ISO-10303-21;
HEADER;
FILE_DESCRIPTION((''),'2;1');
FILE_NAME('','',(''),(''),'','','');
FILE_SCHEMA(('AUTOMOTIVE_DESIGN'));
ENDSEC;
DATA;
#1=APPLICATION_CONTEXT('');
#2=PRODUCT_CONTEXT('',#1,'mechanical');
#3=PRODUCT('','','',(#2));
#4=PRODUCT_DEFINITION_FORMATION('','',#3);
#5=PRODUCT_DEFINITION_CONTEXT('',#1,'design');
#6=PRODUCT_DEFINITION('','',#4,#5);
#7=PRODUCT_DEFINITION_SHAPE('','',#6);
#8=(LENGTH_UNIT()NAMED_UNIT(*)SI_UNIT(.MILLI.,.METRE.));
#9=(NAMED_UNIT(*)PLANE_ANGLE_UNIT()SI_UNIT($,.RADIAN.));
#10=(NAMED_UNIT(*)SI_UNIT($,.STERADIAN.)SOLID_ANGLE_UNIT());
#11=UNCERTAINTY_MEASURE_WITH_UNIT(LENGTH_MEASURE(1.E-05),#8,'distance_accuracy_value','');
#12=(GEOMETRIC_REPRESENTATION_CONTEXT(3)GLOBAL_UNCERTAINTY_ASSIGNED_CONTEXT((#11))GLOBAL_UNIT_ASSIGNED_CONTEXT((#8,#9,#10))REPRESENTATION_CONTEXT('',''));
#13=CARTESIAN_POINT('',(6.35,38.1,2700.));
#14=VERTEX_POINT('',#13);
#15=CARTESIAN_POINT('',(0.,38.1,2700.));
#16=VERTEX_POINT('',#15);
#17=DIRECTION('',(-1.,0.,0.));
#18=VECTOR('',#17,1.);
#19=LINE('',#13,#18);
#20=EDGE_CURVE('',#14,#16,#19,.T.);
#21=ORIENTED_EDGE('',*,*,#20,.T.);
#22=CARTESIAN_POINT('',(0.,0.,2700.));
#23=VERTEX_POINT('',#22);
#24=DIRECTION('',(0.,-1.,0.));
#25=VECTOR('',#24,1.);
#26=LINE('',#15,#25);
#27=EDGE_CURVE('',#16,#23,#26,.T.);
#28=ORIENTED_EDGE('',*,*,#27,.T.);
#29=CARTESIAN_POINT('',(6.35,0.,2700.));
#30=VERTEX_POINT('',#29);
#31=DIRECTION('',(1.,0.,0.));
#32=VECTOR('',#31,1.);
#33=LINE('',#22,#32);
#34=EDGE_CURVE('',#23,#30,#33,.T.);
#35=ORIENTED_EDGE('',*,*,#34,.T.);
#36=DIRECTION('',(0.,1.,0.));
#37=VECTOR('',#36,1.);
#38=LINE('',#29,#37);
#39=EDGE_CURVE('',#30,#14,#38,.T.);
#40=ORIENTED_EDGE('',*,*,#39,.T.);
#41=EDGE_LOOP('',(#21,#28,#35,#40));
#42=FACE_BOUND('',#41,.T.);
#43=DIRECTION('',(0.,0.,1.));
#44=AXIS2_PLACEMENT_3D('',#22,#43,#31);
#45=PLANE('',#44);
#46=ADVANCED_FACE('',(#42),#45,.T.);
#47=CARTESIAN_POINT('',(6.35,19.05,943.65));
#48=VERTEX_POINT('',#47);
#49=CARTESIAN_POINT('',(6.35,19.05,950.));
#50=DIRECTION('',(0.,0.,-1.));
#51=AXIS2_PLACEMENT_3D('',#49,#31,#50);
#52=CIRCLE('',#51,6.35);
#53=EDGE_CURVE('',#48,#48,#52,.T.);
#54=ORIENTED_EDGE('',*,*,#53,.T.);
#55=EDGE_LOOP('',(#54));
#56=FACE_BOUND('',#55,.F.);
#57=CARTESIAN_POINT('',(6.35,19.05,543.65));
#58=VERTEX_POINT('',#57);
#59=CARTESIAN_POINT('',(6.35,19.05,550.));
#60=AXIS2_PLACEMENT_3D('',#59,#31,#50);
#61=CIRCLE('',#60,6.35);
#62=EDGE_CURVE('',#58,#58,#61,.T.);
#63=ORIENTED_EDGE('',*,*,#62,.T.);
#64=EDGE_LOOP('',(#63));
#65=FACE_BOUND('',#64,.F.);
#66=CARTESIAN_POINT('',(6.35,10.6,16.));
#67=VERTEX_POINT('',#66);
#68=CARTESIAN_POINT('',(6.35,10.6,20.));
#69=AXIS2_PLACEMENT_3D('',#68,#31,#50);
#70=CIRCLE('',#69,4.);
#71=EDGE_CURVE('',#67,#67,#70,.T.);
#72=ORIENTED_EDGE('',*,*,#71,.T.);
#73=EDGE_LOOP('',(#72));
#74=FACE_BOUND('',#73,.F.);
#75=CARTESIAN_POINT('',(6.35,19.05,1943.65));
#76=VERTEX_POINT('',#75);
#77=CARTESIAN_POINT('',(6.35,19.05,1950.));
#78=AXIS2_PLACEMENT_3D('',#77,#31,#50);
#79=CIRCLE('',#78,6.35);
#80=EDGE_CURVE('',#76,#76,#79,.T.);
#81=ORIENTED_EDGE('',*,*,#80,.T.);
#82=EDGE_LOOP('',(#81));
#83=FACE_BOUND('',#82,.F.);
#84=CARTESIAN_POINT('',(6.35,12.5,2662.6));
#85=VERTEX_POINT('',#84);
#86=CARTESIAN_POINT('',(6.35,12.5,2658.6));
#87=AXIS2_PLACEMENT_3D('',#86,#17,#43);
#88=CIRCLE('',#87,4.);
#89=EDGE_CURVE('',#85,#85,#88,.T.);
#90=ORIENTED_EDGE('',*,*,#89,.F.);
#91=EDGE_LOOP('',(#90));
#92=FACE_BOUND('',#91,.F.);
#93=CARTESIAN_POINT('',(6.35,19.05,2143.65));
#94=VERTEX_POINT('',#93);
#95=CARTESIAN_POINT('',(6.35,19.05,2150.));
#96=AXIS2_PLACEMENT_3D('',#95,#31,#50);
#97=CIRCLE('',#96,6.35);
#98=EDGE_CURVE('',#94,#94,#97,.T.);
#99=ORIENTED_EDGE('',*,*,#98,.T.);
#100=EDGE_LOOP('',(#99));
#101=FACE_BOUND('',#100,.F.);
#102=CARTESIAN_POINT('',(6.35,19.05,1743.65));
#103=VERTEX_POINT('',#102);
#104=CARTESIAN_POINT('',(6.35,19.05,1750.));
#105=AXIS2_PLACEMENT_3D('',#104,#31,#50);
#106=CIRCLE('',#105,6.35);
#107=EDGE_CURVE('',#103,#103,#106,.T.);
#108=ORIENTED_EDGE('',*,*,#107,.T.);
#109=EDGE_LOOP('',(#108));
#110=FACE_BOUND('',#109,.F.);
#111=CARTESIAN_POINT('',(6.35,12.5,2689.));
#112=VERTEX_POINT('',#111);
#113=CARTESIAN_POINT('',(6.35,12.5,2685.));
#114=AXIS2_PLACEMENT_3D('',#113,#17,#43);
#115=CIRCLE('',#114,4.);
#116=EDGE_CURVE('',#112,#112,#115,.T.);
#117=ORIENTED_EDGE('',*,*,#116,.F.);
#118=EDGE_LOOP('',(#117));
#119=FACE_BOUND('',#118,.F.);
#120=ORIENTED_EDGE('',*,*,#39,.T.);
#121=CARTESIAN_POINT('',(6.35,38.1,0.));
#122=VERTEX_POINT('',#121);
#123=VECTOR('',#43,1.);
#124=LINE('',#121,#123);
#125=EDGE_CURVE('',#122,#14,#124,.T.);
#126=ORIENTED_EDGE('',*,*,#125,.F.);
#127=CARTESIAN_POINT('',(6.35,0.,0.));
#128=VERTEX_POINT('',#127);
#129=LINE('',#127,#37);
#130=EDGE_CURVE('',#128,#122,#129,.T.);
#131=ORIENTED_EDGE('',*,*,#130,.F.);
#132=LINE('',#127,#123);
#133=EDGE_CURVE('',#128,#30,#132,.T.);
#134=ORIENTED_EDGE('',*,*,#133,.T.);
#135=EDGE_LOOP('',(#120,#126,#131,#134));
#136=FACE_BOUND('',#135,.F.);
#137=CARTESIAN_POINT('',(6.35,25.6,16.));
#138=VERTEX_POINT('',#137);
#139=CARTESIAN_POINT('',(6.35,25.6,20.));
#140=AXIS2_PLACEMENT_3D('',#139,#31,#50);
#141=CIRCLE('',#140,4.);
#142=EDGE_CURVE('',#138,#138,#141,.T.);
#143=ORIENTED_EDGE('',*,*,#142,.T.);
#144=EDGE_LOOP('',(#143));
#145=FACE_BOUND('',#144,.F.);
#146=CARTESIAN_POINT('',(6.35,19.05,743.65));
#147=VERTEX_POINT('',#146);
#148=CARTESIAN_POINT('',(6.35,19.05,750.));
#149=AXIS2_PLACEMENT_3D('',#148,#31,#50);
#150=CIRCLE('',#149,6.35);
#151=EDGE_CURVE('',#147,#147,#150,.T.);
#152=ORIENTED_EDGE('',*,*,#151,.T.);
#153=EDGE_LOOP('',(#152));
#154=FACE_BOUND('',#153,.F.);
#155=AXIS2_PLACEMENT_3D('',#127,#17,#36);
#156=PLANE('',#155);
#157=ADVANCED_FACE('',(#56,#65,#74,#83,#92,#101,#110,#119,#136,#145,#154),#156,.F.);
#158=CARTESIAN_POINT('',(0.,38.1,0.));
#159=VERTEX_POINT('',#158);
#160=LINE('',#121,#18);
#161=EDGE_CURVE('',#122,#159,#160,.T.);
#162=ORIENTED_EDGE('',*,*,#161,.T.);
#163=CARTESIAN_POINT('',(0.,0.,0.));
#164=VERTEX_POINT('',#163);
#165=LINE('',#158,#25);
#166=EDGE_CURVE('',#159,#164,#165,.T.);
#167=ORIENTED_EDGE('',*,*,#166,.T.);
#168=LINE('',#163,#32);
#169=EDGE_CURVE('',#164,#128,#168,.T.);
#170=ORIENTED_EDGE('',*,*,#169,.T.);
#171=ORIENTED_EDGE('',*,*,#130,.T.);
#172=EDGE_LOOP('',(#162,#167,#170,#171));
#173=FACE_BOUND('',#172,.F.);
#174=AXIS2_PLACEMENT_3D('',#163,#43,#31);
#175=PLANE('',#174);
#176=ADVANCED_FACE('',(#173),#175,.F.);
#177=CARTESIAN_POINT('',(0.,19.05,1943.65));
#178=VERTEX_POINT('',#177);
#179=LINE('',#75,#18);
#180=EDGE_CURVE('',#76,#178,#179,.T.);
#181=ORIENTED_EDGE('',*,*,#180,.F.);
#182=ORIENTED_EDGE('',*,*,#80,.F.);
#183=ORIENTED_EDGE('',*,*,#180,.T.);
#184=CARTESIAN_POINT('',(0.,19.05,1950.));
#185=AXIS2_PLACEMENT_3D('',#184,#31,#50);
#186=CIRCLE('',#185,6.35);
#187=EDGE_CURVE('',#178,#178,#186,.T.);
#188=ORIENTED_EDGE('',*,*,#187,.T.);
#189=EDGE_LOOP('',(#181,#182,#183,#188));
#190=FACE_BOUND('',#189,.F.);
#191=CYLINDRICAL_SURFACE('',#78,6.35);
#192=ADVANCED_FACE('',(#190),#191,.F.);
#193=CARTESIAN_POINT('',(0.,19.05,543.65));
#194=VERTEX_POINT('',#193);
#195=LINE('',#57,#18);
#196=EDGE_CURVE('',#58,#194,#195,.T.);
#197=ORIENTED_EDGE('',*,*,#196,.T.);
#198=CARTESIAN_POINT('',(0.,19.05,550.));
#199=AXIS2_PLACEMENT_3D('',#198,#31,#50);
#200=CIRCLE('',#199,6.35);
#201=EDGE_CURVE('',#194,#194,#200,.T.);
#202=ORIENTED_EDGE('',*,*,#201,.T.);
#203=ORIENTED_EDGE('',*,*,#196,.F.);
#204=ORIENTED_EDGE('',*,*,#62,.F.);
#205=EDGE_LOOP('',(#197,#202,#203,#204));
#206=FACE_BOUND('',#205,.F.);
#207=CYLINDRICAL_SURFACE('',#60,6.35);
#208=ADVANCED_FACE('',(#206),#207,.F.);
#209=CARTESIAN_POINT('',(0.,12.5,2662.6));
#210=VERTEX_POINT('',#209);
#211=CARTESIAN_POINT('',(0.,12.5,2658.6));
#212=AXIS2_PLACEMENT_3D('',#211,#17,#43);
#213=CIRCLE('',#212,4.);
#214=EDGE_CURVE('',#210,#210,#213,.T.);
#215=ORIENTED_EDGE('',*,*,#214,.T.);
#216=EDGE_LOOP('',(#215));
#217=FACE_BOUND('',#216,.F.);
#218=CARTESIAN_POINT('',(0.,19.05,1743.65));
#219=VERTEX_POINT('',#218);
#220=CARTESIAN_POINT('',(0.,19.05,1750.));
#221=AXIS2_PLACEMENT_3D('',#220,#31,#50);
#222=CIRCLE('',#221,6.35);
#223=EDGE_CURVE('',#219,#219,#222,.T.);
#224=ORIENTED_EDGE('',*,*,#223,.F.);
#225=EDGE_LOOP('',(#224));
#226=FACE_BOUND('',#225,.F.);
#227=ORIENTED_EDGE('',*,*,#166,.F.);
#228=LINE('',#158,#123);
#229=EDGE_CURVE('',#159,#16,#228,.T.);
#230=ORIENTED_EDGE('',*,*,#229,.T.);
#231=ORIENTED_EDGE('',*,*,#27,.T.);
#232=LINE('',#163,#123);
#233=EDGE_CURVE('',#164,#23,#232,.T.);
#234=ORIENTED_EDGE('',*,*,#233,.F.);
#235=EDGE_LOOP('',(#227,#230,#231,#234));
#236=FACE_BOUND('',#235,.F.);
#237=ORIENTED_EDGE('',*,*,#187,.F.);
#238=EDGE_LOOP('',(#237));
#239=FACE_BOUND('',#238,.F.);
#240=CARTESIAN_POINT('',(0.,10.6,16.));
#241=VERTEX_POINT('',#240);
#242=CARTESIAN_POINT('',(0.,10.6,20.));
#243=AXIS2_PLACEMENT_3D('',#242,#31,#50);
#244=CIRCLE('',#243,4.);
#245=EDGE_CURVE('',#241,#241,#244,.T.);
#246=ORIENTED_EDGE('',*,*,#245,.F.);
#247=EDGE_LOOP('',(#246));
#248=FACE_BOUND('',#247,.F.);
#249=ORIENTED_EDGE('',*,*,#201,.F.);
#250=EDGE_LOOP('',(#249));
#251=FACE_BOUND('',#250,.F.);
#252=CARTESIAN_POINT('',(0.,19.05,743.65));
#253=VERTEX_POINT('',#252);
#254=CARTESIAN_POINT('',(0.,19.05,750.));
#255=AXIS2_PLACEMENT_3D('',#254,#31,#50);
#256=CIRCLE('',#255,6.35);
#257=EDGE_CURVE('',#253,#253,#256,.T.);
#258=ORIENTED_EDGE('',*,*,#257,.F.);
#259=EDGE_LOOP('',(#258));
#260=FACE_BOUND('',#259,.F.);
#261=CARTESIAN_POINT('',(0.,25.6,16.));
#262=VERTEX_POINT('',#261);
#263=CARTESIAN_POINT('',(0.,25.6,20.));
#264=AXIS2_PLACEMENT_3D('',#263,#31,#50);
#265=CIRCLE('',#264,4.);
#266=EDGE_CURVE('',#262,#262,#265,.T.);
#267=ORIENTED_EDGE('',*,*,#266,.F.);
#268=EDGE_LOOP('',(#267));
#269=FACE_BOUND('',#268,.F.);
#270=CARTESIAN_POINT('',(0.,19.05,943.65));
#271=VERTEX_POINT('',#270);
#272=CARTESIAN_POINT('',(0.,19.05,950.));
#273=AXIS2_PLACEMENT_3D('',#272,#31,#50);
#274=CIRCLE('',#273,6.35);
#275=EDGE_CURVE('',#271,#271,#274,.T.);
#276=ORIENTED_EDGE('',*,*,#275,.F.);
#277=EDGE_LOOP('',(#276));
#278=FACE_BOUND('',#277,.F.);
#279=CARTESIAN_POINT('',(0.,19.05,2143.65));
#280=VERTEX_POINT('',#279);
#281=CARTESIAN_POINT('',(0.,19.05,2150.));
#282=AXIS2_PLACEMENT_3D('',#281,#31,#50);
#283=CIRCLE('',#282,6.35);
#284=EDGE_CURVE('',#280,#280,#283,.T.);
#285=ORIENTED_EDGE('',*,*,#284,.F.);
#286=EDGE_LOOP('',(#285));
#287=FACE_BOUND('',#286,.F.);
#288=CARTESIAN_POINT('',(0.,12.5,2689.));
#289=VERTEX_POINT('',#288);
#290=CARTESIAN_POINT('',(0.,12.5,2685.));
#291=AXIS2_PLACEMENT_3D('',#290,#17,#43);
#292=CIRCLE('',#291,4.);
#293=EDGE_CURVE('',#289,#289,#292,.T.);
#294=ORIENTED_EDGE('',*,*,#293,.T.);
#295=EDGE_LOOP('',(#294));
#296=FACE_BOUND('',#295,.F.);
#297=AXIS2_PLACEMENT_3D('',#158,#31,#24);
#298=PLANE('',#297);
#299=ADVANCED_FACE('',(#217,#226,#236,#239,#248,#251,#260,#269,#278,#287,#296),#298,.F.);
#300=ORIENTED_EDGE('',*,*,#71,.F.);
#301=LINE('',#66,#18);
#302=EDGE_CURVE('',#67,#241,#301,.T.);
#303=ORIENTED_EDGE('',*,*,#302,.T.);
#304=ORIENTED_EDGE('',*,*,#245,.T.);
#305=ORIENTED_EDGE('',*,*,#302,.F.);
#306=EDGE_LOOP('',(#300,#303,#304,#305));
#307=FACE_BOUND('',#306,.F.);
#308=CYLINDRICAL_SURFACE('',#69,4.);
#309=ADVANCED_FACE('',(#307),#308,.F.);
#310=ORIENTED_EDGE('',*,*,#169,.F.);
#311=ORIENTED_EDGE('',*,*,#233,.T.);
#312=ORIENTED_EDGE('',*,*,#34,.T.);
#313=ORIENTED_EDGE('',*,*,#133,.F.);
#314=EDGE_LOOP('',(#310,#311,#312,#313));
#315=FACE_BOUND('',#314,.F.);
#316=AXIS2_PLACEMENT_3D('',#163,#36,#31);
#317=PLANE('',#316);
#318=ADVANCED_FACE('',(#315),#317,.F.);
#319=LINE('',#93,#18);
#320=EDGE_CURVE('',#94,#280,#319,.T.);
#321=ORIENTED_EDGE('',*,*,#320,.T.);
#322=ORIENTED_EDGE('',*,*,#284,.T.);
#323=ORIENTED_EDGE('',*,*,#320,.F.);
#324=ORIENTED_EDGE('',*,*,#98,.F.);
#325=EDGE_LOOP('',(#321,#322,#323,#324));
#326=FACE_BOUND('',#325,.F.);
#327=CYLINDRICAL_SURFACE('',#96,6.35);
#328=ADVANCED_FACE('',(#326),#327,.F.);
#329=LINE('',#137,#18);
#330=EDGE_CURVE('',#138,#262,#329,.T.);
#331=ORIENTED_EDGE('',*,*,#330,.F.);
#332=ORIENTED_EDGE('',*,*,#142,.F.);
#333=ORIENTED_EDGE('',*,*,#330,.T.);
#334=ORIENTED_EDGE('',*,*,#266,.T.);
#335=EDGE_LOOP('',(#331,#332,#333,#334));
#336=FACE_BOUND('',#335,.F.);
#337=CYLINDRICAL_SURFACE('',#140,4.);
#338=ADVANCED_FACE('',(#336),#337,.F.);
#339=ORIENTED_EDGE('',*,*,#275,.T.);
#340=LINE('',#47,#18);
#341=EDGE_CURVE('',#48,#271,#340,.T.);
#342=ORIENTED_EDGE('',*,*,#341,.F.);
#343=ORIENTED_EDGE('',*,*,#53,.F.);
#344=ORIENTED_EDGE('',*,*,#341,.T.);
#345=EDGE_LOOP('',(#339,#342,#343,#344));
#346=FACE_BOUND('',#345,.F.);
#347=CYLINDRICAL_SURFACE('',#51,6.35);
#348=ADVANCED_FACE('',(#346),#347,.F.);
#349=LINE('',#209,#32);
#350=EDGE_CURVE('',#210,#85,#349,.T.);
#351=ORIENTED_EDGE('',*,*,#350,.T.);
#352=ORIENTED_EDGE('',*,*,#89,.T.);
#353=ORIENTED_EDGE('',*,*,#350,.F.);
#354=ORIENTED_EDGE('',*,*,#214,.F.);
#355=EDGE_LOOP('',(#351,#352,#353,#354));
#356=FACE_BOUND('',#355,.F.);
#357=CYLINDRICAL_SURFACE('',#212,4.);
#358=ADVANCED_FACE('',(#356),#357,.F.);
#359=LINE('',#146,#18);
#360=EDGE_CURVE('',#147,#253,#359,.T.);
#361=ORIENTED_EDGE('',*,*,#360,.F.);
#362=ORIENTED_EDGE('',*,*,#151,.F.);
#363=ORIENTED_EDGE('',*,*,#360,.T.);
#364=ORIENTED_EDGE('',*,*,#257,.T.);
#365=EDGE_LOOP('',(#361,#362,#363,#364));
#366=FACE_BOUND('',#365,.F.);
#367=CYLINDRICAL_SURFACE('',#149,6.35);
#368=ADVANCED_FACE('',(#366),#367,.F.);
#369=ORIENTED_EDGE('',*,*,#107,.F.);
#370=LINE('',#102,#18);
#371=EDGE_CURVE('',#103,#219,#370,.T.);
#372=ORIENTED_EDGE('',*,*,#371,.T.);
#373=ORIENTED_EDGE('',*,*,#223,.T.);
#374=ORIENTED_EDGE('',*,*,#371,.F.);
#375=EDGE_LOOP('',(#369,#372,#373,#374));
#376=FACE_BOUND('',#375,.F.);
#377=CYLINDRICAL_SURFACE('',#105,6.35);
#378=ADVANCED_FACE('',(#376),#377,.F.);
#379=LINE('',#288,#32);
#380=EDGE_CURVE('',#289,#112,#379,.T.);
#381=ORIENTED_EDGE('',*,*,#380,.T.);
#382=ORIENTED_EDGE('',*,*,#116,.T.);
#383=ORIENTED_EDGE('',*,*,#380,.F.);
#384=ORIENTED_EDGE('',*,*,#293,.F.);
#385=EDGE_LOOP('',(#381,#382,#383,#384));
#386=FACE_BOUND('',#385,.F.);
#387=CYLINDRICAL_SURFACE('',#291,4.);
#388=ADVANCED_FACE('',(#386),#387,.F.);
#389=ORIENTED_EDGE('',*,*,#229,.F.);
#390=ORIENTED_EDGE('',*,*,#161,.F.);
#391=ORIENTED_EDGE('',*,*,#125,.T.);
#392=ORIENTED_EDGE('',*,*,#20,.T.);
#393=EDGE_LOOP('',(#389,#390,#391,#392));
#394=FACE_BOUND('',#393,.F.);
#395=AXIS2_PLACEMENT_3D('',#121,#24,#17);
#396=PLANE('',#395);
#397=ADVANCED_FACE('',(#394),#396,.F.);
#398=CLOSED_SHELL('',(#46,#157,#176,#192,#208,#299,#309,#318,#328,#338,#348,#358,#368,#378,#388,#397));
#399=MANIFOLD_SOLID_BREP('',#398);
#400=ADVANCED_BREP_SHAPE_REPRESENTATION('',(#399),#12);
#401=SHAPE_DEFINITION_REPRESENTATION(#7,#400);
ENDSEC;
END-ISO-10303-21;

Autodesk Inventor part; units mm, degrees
ref_plane "YZ Plane" through (0, 0, 0) normal (1, 0, 0) x (0, 1, 0)
ref_plane "XZ Plane" through (0, 0, 0) normal (0, 1, 0) x (-1, 0, 0)
ref_plane "XY Plane" through (0, 0, 0) normal (0, 0, 1) x (1, 0, 0)
sketch "Sketch1" plane through (0, 0, 0) normal (0, 0, 1) x (1, 0, 0)
  line L0 (0, 0) -> (6.35, 0)
  line L1 (6.35, 0) -> (6.35, 38.1)
  line L2 (6.35, 38.1) -> (0, 38.1)
  line L3 (0, 38.1) -> (0, 0)
  dimension "d0" = 6.35
  dimension "d1" = 38.1
extrude "Extrusion1" add sketch "Sketch1" along normal blind 2700
sketch "Sketch2" plane through (6.35, 38.1, 2700) normal (1, 0, 0) x (0, 0, -1)
  line L0 (2700, -38.1) -> (2700, 0) projected
  line L1 (2700, 0) -> (0, 0) projected
  line L2 (0, -38.1) -> (0, 0) projected
  line L3 (2700, -38.1) -> (0, -38.1) projected
  circle A0 centre (550, -19.05) radius 6.35
  circle A1 centre (750, -19.05) radius 6.35
  circle A2 centre (950, -19.05) radius 6.35
  circle A3 centre (1750, -19.05) radius 6.35
  circle A4 centre (1950, -19.05) radius 6.35
  circle A5 centre (2150, -19.05) radius 6.35
  dimension "d4" = 12.7
  dimension "d5" = 19.05
  dimension "d6" = 12.7
  dimension "d7" = 12.7
  dimension "d8" = 12.7
  dimension "d9" = 12.7
  dimension "d10" = 12.7
  dimension "d11" = 550
  dimension "d12" = 200
  dimension "d13" = 200
  dimension "d14" = 550
  dimension "d15" = 200
  dimension "d16" = 200
  dimension "d17" = 19.05
  dimension "d18" = 19.05
  dimension "d19" = 19.05
  dimension "d20" = 19.05
  dimension "d21" = 19.05
extrude "Extrusion3" cut sketch "Sketch2" against normal blind 10 contours A0 | A1 | A2 | A3 | A4 | A5
sketch "Sketch3" plane through (0, 0, 0) normal (-1, 0, 0) x (0, 0, 1)
  circle A0 centre (750, 19.05) radius 6.35 projected
  circle A1 centre (1750, 19.05) radius 6.35 projected
  circle A2 centre (2150, 19.05) radius 6.35 projected
  circle A3 centre (1950, 19.05) radius 6.35 projected
  circle A4 centre (950, 19.05) radius 6.35 projected
  circle A5 centre (550, 19.05) radius 6.35 projected
  line L0 (0, 38.1) -> (0, 0) projected
  line L1 (0, 0) -> (2700, 0) projected
  line L2 (2700, 38.1) -> (2700, 0) projected
  line L3 (0, 38.1) -> (2700, 38.1) projected
  circle A6 centre (2658.6, 12.5) radius 4
  circle A7 centre (2685, 12.5) radius 4
  dimension "d26" = 8
  dimension "d27" = 8
  dimension "d30" = 15
  dimension "d31" = 26.4
  dimension "d59" = 12.5
  dimension "d60" = 12.5
extrude "Extrusion4" cut sketch "Sketch3" against normal blind 10 contours A6 | A7
sketch "Sketch5" plane through (6.35, 38.1, 2700) normal (1, 0, 0) x (0, 0, -1)
  circle A0 centre (2680, -12.5) radius 4
  circle A1 centre (2680, -27.5) radius 4
  circle A2 centre (41.4, -25.6) radius 4 projected
  circle A3 centre (15, -25.6) radius 4 projected
  circle A4 centre (1950, -19.05) radius 6.35 projected
  circle A5 centre (950, -19.05) radius 6.35 projected
  circle A6 centre (550, -19.05) radius 6.35 projected
  circle A7 centre (750, -19.05) radius 6.35 projected
  circle A8 centre (1750, -19.05) radius 6.35 projected
  circle A9 centre (2150, -19.05) radius 6.35 projected
  line L0 (2700, -38.1) -> (2700, 0) projected
  line L1 (2700, 0) -> (0, 0) projected
  line L2 (0, -38.1) -> (0, 0) projected
  line L3 (2700, -38.1) -> (0, -38.1) projected
  dimension "d49" = 8
  dimension "d50" = 8
  dimension "d51" = 20
  dimension "d52" = 20
  dimension "d53" = 12.5
  dimension "d54" = 15
extrude "Extrusion6" cut sketch "Sketch5" against normal up to next contours A0 | A1
properties part number "X_Rai-SquareBar-Rev3" material "Iron, Ductile"
